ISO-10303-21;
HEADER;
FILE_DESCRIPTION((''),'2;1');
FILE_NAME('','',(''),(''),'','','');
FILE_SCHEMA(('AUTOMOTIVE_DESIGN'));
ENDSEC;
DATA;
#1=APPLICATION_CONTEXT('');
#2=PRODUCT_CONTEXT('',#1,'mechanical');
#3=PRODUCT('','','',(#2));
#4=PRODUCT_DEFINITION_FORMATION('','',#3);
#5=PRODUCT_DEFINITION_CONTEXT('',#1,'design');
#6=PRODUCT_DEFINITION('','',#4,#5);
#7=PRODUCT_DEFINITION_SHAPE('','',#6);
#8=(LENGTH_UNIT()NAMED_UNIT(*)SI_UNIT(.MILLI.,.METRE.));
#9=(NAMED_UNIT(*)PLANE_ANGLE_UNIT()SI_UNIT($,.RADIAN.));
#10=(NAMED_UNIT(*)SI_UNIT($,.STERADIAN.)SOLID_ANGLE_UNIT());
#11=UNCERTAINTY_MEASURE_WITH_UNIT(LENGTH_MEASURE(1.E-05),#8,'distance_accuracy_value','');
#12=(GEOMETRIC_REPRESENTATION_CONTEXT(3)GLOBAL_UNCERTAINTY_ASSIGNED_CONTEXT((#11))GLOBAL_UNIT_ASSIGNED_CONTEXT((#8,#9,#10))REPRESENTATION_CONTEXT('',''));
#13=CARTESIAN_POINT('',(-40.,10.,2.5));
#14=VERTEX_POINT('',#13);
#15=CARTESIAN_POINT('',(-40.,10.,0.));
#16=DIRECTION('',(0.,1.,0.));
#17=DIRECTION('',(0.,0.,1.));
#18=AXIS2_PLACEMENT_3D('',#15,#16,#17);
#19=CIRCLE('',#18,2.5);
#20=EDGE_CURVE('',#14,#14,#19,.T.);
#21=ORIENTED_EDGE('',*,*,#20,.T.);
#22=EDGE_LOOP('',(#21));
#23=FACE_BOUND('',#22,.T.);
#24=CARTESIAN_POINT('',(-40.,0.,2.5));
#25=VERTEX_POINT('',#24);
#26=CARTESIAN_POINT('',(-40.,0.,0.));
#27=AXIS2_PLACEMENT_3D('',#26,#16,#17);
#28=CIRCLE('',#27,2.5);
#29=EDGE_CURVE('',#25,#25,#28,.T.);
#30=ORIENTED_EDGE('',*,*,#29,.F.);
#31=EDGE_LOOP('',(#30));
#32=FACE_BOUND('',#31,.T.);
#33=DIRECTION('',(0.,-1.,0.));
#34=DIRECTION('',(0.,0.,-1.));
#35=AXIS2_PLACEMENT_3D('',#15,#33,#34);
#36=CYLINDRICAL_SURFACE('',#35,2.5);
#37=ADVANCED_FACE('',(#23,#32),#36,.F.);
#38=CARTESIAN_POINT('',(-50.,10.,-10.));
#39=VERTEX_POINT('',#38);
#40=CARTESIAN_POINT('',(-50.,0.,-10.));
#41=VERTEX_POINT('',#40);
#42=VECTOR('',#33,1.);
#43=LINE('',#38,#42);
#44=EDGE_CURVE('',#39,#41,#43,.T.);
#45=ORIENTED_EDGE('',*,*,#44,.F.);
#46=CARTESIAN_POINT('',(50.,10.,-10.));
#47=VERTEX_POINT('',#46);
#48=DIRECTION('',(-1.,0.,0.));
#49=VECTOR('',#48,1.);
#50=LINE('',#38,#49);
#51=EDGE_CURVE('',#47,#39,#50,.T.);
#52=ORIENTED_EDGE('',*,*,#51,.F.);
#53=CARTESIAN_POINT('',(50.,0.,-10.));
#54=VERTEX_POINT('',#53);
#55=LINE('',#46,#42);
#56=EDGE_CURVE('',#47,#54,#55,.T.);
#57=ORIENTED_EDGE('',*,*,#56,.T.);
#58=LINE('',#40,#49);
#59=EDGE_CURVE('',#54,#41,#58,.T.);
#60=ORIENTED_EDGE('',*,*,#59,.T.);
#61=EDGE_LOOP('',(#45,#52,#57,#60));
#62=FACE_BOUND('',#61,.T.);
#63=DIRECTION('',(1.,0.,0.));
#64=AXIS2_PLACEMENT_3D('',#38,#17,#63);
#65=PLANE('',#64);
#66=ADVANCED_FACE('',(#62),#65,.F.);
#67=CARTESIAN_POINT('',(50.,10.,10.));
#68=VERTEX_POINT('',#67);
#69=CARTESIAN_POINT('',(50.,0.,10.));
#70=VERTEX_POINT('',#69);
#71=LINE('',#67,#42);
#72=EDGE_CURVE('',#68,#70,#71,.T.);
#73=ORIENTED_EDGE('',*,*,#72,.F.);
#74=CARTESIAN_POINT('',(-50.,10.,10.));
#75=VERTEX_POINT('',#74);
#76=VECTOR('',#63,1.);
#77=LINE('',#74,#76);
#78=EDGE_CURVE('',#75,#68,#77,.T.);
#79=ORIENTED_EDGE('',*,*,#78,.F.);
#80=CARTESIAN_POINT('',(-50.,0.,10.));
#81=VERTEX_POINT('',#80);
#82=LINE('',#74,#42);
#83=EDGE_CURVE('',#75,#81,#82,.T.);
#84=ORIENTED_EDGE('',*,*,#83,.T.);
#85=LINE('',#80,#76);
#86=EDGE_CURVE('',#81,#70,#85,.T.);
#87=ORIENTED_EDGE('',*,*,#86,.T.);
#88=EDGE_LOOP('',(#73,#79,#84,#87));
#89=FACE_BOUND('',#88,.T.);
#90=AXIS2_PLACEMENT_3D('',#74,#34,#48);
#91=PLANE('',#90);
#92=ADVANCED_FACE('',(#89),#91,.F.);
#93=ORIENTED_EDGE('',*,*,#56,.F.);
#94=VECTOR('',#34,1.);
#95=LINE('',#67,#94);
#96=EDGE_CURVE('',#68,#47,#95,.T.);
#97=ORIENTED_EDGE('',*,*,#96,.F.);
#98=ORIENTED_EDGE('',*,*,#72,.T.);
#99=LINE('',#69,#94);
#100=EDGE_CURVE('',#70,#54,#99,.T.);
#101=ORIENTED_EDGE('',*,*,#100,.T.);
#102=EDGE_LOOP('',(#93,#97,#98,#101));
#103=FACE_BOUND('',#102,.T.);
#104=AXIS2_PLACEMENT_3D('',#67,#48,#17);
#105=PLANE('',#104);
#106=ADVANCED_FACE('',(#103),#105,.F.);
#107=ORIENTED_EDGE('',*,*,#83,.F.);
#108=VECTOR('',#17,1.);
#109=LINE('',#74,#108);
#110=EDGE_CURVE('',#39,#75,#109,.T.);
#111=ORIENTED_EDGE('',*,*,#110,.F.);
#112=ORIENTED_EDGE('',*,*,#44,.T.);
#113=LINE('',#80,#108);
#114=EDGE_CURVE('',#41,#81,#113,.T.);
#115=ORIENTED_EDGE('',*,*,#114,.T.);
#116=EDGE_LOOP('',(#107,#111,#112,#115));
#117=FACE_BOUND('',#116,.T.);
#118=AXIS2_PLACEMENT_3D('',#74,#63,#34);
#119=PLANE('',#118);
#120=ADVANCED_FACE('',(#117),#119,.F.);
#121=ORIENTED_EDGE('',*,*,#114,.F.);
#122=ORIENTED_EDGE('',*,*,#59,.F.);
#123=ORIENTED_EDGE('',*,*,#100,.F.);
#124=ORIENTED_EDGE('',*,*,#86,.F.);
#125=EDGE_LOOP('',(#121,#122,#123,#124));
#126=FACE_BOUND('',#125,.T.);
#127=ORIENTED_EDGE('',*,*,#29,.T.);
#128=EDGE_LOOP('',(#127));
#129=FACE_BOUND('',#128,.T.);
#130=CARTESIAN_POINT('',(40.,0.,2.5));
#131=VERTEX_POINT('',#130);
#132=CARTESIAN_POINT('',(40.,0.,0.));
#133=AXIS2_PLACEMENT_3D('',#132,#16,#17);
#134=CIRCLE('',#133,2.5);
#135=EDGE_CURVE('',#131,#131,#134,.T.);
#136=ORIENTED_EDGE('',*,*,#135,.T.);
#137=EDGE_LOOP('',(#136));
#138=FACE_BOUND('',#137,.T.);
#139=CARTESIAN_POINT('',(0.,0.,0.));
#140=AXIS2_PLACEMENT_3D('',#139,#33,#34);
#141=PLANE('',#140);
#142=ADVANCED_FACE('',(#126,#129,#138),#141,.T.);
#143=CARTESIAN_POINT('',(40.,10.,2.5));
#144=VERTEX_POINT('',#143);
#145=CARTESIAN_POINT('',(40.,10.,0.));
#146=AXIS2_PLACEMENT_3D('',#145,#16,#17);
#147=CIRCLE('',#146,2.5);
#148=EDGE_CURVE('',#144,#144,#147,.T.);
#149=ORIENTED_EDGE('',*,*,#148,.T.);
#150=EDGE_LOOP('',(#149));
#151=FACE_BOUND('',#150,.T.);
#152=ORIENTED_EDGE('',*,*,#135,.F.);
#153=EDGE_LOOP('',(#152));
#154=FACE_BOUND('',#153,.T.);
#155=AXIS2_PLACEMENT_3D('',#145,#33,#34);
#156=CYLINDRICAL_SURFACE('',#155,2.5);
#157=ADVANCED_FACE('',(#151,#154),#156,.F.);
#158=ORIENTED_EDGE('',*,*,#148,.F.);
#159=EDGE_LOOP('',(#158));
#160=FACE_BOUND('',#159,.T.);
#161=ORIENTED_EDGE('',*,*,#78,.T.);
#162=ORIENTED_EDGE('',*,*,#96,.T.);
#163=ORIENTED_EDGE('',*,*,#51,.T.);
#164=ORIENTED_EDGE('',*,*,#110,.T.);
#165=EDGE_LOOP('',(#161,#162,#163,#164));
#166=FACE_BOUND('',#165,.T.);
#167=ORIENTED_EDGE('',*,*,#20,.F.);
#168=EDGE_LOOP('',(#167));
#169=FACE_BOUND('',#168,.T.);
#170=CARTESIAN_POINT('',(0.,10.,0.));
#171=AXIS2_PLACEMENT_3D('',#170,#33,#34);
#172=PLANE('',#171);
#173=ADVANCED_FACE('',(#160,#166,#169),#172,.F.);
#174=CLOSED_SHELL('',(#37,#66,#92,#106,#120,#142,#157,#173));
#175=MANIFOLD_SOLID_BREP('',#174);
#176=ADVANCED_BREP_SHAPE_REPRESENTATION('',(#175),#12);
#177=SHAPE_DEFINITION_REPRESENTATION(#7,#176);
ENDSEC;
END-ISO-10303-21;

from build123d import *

# Parameters (mm, degrees)
SKETCH_1_W      = 100
SKETCH_1_H      = 20
SKETCH_1_R      = 2.5
EXTRUDE_1_DEPTH = 10


with BuildPart() as part:
    # 草图1 → 凸台-拉伸1 (new body)
    with BuildSketch(Plane(origin=(0, 0, 0), x_dir=(1, 0, 0), z_dir=(0, 1, 0))):
        Rectangle(SKETCH_1_W, SKETCH_1_H)
        with Locations(Location((-40, 0, 0), (0, 0, 270))):
            Circle(SKETCH_1_R, mode=Mode.SUBTRACT)
        with Locations(Location((40, 0, 0), (0, 0, 270))):
            Circle(SKETCH_1_R, mode=Mode.SUBTRACT)
    extrude(amount=EXTRUDE_1_DEPTH)


solid = part.part
